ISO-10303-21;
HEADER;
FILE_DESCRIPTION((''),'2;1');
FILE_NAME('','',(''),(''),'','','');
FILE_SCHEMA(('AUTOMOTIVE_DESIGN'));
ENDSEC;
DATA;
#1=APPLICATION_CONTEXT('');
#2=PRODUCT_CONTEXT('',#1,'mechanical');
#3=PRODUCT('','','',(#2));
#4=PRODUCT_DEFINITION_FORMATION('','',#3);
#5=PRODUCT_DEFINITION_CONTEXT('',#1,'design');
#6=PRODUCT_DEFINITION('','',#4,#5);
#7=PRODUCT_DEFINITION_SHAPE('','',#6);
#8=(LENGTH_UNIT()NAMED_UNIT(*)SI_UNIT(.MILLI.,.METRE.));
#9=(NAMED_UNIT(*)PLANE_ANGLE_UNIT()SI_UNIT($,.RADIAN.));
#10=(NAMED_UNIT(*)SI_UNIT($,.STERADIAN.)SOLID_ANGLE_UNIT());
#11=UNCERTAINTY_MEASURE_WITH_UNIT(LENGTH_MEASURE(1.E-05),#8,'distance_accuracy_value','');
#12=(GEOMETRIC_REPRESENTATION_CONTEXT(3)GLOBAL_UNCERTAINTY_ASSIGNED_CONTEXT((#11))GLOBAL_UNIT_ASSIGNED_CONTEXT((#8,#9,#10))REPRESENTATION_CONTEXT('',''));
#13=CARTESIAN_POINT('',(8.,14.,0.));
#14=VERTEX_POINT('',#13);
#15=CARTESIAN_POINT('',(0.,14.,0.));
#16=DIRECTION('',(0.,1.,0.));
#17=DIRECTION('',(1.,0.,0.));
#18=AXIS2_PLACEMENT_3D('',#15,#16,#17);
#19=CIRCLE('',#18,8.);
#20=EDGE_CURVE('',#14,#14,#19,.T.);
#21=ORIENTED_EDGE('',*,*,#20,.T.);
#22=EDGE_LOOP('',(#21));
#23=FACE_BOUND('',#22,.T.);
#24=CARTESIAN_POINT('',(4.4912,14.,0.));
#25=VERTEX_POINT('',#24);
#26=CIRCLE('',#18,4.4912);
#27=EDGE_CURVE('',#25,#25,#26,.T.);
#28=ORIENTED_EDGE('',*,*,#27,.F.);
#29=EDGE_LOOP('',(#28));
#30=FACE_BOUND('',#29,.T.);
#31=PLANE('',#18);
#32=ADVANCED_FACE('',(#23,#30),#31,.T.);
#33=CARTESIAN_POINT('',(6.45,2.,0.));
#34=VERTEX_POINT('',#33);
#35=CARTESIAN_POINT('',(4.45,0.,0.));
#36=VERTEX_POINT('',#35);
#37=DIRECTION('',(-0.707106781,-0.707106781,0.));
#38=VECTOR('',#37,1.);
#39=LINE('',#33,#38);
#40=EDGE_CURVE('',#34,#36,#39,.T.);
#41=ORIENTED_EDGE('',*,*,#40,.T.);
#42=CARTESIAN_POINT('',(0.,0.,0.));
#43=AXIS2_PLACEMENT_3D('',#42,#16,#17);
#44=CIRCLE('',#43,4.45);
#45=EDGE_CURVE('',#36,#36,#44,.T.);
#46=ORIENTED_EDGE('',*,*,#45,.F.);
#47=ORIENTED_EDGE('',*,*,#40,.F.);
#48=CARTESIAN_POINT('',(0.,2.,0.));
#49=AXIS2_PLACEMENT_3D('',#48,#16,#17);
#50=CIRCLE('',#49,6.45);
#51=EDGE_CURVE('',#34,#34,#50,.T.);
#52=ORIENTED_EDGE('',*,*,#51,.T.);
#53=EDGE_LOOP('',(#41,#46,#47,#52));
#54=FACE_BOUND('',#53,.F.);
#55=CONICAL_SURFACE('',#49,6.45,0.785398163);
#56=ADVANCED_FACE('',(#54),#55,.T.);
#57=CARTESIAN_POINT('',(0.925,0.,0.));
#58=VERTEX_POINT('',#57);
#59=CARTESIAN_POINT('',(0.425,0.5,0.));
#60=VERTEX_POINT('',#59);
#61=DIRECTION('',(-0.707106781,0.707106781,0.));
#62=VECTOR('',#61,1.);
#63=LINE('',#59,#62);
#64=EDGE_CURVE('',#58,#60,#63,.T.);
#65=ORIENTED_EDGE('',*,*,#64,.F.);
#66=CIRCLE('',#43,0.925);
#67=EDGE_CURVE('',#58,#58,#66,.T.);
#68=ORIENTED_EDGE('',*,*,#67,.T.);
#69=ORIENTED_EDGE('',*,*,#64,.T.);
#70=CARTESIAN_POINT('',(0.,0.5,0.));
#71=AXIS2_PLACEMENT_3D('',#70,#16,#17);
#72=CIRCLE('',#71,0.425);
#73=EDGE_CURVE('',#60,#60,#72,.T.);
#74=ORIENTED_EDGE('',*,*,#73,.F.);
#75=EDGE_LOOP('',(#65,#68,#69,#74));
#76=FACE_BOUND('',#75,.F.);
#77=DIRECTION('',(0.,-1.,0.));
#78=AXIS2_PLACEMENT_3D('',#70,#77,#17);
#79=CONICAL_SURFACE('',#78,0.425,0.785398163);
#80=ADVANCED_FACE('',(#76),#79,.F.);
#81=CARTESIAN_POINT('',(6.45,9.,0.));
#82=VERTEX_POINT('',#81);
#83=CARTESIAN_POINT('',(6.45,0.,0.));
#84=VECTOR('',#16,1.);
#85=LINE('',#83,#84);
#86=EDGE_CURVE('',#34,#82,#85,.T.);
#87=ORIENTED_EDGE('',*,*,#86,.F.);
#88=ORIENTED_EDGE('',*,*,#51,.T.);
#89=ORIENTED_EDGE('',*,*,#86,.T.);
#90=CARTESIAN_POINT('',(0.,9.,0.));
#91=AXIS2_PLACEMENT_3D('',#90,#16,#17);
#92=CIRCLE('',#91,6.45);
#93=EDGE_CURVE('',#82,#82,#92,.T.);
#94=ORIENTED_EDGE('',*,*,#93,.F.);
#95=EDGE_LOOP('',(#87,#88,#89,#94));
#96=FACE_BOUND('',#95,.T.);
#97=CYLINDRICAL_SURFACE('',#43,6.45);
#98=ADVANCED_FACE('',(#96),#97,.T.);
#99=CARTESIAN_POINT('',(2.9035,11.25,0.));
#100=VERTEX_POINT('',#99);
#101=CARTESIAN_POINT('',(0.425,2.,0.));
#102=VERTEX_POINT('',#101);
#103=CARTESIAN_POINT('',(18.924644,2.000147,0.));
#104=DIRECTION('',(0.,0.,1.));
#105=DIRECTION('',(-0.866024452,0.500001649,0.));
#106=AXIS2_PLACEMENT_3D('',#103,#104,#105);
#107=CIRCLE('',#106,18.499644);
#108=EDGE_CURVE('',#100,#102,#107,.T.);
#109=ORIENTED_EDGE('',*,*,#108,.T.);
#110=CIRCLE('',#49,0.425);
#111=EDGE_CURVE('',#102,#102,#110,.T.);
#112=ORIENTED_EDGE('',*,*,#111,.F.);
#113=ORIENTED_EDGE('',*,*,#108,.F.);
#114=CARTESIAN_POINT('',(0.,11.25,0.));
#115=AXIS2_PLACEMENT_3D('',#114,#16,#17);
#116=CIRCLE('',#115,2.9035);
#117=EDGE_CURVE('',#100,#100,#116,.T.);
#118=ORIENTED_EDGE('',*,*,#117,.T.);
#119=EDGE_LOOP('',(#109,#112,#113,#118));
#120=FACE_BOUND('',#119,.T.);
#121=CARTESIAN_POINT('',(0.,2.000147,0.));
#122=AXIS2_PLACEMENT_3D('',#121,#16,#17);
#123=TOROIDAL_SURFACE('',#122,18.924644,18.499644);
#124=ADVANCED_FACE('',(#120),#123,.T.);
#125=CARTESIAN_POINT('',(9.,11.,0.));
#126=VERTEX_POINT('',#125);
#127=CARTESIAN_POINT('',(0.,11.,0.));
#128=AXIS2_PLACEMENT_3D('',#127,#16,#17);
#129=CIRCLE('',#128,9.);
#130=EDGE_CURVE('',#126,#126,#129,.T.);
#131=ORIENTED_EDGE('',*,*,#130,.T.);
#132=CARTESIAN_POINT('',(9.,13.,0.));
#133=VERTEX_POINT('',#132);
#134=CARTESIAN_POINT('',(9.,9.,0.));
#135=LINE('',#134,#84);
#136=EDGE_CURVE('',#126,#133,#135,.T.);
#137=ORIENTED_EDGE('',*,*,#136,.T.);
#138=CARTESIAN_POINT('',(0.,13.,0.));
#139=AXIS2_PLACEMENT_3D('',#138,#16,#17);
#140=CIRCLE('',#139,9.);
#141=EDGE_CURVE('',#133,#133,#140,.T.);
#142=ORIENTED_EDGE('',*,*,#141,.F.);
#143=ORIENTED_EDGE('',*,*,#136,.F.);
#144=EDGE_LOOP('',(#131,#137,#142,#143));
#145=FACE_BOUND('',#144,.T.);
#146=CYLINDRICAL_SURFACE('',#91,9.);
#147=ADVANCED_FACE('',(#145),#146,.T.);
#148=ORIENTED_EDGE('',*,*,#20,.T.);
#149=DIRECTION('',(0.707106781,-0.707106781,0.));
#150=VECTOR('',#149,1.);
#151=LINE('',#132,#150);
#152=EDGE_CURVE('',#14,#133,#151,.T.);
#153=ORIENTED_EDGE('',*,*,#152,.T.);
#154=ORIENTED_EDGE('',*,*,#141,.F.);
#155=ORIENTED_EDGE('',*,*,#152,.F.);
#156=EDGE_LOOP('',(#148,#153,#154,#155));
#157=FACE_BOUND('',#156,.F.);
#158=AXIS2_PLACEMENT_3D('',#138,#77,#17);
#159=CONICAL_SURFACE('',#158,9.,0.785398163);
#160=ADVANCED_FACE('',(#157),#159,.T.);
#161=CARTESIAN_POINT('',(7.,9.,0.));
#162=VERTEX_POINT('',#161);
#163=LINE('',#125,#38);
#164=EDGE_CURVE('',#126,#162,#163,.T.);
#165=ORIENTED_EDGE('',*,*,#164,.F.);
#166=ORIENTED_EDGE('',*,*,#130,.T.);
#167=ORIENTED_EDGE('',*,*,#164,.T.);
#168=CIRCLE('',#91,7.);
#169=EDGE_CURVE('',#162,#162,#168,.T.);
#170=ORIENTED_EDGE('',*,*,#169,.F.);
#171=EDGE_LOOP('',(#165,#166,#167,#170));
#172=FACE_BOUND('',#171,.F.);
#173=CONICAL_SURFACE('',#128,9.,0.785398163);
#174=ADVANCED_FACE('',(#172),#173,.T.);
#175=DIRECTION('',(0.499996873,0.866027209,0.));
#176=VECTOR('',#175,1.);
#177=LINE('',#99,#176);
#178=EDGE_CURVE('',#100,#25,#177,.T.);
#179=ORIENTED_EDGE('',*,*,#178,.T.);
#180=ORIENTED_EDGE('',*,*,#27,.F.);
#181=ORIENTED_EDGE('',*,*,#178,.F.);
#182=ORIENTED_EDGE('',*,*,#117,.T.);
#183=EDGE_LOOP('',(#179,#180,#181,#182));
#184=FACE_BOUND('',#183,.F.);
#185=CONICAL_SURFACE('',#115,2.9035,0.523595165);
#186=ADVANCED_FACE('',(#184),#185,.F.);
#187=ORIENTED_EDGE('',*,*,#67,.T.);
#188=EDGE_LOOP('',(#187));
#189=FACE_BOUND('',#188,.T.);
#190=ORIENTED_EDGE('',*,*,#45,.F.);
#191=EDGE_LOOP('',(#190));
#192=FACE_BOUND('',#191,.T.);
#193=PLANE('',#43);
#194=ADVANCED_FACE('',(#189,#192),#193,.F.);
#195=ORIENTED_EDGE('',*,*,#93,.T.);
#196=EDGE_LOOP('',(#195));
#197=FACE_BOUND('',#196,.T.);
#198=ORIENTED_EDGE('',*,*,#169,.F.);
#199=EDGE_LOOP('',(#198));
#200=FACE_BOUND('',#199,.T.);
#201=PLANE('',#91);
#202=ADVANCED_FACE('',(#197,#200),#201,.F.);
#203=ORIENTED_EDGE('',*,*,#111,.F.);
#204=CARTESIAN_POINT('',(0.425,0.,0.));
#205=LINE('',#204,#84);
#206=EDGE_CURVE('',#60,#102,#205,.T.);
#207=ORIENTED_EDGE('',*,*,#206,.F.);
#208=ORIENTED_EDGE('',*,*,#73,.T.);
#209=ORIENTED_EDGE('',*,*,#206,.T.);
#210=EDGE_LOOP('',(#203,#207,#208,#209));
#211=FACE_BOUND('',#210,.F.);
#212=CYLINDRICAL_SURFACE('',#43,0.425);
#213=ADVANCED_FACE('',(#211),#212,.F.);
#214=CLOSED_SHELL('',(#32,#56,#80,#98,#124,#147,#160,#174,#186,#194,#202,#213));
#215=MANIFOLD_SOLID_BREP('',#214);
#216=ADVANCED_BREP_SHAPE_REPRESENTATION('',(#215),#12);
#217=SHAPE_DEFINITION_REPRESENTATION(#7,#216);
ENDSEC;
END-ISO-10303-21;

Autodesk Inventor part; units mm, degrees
ref_plane "YZ Plane" through (0, 0, 0) normal (1, 0, 0) x (0, 1, 0)
ref_plane "XZ Plane" through (0, 0, 0) normal (0, 1, 0) x (-1, 0, 0)
ref_plane "XY Plane" through (0, 0, 0) normal (0, 0, 1) x (1, 0, 0)
sketch "Sketch1" plane through (0, 0, 0) normal (0, 0, 1) x (1, 0, 0)
  line L0 (0, 0) -> (0, 5.2441) construction
  line L1 (0, 0) -> (4.3793, 0) construction
  line L2 (2.9035, 11.25) -> (4.4912, 14)
  line L3 (0.425, 0) -> (0.425, 0.4889) construction
  line L4 (0.425, 0) -> (6.45, 0)
  line L5 (6.45, 0) -> (6.45, 9)
  line L6 (6.45, 9) -> (9, 9)
  line L7 (9, 9) -> (9, 14)
  line L8 (9, 14) -> (4.4912, 14)
  line L9 (0.425, 0) -> (0.425, 2)
  arc A0 (2.9035, 11.25) -> (0.425, 2) centre (18.925, 2) ccw
  dimension "d0" = 0.425
  dimension "d1" = 30
  dimension "d2" = 6.45
  dimension "d3" = 9
  dimension "d4" = 5
  dimension "d6" = 9
  dimension "d14" = 2
  dimension "d15" = 18.5
revolve "Revolution1" add sketch "Sketch1" angle 360 about axis through (0, 0, 0) along (0, 1, 0)
chamfer "Chamfer1" distance 2 angle 45 1 edges at (-9, 9, 0)
chamfer "Chamfer2" distance 2 angle 45 1 edges at (-6.45, 0, 0)
chamfer "Chamfer3" distance 0.5 angle 45 1 edges at (-0.425, 0, 0)
chamfer "Chamfer4" distance 1 angle 45 1 edges at (-9, 14, 0)
properties part number "drop_funnel_v2"
